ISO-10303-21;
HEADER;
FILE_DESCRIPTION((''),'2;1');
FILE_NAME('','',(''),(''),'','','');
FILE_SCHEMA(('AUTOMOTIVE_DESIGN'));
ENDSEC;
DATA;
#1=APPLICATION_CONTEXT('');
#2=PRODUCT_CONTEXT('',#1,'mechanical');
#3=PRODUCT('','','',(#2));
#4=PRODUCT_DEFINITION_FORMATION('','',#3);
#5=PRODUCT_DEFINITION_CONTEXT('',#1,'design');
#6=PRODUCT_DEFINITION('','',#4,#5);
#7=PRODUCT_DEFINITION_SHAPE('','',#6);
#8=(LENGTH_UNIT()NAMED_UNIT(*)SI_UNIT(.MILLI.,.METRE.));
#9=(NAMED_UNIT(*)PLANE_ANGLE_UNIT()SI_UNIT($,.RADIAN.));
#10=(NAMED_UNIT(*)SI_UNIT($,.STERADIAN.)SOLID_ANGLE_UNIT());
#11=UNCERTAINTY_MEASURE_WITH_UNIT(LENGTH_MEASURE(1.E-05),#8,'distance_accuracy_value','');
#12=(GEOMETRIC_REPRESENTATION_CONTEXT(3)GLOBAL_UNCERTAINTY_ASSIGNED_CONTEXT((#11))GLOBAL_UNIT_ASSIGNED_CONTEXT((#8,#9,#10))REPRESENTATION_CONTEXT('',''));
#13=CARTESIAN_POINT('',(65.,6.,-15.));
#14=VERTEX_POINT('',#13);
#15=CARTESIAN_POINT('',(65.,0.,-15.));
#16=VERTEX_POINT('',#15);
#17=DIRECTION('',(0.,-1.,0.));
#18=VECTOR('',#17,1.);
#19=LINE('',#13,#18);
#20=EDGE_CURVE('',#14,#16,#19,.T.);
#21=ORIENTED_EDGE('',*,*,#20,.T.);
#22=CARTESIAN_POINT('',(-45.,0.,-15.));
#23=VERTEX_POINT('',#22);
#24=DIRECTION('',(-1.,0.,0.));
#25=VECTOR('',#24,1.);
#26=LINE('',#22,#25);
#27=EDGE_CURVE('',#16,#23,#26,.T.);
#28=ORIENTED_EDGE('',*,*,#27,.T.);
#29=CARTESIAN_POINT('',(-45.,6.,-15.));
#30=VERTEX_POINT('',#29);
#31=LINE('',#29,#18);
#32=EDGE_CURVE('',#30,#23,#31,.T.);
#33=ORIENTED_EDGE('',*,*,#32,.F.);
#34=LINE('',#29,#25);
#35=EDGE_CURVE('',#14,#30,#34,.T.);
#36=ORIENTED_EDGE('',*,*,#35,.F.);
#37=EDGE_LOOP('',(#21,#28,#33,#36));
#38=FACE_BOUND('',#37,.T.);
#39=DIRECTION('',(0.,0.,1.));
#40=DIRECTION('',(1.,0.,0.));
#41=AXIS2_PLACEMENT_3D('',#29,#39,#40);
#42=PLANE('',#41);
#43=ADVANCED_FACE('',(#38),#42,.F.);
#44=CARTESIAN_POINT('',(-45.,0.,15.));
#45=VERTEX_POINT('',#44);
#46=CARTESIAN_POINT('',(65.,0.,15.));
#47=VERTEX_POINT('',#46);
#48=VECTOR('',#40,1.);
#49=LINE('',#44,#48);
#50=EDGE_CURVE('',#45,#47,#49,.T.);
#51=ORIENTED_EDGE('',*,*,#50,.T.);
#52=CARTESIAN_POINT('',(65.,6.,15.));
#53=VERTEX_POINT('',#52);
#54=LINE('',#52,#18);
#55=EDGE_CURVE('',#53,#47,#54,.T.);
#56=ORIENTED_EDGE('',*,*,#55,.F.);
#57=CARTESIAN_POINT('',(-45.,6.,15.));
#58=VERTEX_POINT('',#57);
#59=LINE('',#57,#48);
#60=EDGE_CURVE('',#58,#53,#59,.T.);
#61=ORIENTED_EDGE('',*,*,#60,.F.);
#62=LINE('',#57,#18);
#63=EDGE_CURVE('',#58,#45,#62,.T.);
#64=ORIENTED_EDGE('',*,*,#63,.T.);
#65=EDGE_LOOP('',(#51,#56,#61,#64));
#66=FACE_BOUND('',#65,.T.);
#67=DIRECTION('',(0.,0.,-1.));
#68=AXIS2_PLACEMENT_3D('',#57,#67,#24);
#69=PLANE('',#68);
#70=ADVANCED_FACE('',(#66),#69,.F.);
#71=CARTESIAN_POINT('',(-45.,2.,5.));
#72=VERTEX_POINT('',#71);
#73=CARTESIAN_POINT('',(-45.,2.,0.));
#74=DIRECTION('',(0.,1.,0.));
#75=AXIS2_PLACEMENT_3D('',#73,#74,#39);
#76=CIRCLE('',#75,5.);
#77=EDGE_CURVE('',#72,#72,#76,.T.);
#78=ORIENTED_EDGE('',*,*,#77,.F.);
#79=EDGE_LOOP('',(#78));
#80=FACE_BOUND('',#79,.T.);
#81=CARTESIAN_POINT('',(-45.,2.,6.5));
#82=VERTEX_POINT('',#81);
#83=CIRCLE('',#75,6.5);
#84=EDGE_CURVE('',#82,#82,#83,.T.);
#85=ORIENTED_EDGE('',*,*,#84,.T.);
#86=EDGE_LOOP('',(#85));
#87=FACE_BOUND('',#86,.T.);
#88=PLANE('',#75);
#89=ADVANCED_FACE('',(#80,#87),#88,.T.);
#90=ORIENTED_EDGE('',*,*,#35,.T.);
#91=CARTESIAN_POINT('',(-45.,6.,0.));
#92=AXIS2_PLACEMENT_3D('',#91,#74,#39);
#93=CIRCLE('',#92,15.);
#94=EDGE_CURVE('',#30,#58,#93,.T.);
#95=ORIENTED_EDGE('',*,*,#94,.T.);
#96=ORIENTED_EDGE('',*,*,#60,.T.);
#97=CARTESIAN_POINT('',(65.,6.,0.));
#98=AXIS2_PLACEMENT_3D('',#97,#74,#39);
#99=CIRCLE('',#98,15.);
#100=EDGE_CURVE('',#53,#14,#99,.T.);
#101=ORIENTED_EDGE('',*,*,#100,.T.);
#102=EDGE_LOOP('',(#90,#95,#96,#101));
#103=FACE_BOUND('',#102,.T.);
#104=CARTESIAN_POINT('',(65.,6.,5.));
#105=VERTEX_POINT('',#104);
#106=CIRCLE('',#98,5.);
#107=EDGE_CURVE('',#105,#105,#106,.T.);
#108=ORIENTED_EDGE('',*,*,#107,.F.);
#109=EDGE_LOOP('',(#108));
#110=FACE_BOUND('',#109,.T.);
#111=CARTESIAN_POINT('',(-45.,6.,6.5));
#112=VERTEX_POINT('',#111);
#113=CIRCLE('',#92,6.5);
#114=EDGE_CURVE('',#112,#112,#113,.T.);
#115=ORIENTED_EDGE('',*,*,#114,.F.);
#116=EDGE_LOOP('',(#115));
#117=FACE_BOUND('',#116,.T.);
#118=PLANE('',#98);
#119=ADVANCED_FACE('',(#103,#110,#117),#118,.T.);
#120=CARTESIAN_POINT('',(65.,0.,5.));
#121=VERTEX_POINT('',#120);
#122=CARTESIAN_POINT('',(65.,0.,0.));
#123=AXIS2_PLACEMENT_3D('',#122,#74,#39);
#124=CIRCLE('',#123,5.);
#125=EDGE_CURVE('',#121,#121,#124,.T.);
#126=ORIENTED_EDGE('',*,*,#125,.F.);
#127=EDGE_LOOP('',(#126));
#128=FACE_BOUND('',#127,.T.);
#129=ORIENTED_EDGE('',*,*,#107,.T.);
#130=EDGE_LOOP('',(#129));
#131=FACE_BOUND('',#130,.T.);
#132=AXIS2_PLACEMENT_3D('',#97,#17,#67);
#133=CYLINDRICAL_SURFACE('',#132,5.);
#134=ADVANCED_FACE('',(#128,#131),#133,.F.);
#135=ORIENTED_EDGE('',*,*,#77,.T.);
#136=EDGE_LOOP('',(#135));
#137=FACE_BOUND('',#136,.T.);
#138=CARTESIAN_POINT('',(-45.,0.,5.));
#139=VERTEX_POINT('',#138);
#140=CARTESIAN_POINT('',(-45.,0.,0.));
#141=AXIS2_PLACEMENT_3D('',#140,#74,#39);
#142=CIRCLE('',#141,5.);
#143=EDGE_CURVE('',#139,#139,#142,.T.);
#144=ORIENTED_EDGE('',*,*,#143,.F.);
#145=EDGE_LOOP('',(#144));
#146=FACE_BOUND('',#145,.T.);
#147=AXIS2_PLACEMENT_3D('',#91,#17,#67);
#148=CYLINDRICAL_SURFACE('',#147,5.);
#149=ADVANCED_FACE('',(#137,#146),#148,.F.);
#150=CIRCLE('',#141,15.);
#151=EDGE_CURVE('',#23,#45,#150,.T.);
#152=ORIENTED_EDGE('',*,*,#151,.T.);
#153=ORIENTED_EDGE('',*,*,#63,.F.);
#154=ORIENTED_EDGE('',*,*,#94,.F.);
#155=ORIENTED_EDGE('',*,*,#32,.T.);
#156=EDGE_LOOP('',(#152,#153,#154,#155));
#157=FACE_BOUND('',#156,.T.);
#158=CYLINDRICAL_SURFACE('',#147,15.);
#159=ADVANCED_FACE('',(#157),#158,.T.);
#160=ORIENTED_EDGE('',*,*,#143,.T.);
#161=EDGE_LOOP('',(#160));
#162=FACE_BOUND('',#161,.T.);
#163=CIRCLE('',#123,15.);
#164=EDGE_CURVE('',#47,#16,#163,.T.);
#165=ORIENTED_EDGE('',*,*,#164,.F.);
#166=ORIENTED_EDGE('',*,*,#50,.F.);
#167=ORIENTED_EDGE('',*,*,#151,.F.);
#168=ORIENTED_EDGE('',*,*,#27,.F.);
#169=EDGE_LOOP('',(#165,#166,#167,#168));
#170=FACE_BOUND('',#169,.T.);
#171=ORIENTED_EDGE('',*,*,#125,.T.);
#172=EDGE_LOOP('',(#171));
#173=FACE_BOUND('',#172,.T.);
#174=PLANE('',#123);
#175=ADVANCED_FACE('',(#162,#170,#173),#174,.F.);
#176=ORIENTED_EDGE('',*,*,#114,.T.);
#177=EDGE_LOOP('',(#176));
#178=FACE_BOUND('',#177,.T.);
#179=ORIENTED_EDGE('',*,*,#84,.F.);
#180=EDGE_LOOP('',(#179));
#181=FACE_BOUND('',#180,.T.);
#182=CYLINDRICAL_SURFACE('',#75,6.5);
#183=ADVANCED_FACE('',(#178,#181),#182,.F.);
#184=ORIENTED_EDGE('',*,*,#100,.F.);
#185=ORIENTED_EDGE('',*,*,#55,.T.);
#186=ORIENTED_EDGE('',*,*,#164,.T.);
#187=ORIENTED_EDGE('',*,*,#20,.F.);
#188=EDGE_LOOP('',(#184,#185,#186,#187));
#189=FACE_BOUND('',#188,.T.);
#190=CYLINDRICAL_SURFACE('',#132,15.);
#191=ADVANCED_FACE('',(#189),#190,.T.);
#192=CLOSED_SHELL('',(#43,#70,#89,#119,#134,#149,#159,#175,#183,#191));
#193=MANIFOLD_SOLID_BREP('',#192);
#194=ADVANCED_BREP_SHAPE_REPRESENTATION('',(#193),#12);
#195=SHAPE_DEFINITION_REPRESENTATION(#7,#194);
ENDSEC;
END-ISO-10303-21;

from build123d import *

# Parameters (mm, degrees)
SKETCH2_R           = 5
BOSS_EXTRUDE1_DEPTH = 6
SKETCH3_R           = 6.5
CUT_EXTRUDE1_DEPTH  = 4


with BuildPart() as part:
    # Sketch2 → Boss-Extrude1 (new body)
    with BuildSketch(Plane(origin=(0, 0, 0), x_dir=(1, 0, 0), z_dir=(0, 1, 0))):
        with BuildLine():
            Line((-45, 15), (65, 15))
            ThreePointArc((65, 15), (80, 0), (65, -15))
            Line((65, -15), (-45, -15))
            ThreePointArc((-45, -15), (-60, 0), (-45, 15))
        make_face()
        with Locations(Location((-45, 0, 0), (0, 0, 270))):
            Circle(SKETCH2_R, mode=Mode.SUBTRACT)
        with Locations(Location((65, 0, 0), (0, 0, 270))):
            Circle(SKETCH2_R, mode=Mode.SUBTRACT)
    extrude(amount=BOSS_EXTRUDE1_DEPTH)

    # Sketch3 → Cut-Extrude1 (cut)
    with BuildSketch(Plane(origin=(0, 6, 0), x_dir=(1, 0, 0), z_dir=(0, 1, 0))):
        with Locations(Location((-45, 0, 0), (0, 0, 270))):
            Circle(SKETCH3_R)
    extrude(amount=-CUT_EXTRUDE1_DEPTH, mode=Mode.SUBTRACT)


solid = part.part
